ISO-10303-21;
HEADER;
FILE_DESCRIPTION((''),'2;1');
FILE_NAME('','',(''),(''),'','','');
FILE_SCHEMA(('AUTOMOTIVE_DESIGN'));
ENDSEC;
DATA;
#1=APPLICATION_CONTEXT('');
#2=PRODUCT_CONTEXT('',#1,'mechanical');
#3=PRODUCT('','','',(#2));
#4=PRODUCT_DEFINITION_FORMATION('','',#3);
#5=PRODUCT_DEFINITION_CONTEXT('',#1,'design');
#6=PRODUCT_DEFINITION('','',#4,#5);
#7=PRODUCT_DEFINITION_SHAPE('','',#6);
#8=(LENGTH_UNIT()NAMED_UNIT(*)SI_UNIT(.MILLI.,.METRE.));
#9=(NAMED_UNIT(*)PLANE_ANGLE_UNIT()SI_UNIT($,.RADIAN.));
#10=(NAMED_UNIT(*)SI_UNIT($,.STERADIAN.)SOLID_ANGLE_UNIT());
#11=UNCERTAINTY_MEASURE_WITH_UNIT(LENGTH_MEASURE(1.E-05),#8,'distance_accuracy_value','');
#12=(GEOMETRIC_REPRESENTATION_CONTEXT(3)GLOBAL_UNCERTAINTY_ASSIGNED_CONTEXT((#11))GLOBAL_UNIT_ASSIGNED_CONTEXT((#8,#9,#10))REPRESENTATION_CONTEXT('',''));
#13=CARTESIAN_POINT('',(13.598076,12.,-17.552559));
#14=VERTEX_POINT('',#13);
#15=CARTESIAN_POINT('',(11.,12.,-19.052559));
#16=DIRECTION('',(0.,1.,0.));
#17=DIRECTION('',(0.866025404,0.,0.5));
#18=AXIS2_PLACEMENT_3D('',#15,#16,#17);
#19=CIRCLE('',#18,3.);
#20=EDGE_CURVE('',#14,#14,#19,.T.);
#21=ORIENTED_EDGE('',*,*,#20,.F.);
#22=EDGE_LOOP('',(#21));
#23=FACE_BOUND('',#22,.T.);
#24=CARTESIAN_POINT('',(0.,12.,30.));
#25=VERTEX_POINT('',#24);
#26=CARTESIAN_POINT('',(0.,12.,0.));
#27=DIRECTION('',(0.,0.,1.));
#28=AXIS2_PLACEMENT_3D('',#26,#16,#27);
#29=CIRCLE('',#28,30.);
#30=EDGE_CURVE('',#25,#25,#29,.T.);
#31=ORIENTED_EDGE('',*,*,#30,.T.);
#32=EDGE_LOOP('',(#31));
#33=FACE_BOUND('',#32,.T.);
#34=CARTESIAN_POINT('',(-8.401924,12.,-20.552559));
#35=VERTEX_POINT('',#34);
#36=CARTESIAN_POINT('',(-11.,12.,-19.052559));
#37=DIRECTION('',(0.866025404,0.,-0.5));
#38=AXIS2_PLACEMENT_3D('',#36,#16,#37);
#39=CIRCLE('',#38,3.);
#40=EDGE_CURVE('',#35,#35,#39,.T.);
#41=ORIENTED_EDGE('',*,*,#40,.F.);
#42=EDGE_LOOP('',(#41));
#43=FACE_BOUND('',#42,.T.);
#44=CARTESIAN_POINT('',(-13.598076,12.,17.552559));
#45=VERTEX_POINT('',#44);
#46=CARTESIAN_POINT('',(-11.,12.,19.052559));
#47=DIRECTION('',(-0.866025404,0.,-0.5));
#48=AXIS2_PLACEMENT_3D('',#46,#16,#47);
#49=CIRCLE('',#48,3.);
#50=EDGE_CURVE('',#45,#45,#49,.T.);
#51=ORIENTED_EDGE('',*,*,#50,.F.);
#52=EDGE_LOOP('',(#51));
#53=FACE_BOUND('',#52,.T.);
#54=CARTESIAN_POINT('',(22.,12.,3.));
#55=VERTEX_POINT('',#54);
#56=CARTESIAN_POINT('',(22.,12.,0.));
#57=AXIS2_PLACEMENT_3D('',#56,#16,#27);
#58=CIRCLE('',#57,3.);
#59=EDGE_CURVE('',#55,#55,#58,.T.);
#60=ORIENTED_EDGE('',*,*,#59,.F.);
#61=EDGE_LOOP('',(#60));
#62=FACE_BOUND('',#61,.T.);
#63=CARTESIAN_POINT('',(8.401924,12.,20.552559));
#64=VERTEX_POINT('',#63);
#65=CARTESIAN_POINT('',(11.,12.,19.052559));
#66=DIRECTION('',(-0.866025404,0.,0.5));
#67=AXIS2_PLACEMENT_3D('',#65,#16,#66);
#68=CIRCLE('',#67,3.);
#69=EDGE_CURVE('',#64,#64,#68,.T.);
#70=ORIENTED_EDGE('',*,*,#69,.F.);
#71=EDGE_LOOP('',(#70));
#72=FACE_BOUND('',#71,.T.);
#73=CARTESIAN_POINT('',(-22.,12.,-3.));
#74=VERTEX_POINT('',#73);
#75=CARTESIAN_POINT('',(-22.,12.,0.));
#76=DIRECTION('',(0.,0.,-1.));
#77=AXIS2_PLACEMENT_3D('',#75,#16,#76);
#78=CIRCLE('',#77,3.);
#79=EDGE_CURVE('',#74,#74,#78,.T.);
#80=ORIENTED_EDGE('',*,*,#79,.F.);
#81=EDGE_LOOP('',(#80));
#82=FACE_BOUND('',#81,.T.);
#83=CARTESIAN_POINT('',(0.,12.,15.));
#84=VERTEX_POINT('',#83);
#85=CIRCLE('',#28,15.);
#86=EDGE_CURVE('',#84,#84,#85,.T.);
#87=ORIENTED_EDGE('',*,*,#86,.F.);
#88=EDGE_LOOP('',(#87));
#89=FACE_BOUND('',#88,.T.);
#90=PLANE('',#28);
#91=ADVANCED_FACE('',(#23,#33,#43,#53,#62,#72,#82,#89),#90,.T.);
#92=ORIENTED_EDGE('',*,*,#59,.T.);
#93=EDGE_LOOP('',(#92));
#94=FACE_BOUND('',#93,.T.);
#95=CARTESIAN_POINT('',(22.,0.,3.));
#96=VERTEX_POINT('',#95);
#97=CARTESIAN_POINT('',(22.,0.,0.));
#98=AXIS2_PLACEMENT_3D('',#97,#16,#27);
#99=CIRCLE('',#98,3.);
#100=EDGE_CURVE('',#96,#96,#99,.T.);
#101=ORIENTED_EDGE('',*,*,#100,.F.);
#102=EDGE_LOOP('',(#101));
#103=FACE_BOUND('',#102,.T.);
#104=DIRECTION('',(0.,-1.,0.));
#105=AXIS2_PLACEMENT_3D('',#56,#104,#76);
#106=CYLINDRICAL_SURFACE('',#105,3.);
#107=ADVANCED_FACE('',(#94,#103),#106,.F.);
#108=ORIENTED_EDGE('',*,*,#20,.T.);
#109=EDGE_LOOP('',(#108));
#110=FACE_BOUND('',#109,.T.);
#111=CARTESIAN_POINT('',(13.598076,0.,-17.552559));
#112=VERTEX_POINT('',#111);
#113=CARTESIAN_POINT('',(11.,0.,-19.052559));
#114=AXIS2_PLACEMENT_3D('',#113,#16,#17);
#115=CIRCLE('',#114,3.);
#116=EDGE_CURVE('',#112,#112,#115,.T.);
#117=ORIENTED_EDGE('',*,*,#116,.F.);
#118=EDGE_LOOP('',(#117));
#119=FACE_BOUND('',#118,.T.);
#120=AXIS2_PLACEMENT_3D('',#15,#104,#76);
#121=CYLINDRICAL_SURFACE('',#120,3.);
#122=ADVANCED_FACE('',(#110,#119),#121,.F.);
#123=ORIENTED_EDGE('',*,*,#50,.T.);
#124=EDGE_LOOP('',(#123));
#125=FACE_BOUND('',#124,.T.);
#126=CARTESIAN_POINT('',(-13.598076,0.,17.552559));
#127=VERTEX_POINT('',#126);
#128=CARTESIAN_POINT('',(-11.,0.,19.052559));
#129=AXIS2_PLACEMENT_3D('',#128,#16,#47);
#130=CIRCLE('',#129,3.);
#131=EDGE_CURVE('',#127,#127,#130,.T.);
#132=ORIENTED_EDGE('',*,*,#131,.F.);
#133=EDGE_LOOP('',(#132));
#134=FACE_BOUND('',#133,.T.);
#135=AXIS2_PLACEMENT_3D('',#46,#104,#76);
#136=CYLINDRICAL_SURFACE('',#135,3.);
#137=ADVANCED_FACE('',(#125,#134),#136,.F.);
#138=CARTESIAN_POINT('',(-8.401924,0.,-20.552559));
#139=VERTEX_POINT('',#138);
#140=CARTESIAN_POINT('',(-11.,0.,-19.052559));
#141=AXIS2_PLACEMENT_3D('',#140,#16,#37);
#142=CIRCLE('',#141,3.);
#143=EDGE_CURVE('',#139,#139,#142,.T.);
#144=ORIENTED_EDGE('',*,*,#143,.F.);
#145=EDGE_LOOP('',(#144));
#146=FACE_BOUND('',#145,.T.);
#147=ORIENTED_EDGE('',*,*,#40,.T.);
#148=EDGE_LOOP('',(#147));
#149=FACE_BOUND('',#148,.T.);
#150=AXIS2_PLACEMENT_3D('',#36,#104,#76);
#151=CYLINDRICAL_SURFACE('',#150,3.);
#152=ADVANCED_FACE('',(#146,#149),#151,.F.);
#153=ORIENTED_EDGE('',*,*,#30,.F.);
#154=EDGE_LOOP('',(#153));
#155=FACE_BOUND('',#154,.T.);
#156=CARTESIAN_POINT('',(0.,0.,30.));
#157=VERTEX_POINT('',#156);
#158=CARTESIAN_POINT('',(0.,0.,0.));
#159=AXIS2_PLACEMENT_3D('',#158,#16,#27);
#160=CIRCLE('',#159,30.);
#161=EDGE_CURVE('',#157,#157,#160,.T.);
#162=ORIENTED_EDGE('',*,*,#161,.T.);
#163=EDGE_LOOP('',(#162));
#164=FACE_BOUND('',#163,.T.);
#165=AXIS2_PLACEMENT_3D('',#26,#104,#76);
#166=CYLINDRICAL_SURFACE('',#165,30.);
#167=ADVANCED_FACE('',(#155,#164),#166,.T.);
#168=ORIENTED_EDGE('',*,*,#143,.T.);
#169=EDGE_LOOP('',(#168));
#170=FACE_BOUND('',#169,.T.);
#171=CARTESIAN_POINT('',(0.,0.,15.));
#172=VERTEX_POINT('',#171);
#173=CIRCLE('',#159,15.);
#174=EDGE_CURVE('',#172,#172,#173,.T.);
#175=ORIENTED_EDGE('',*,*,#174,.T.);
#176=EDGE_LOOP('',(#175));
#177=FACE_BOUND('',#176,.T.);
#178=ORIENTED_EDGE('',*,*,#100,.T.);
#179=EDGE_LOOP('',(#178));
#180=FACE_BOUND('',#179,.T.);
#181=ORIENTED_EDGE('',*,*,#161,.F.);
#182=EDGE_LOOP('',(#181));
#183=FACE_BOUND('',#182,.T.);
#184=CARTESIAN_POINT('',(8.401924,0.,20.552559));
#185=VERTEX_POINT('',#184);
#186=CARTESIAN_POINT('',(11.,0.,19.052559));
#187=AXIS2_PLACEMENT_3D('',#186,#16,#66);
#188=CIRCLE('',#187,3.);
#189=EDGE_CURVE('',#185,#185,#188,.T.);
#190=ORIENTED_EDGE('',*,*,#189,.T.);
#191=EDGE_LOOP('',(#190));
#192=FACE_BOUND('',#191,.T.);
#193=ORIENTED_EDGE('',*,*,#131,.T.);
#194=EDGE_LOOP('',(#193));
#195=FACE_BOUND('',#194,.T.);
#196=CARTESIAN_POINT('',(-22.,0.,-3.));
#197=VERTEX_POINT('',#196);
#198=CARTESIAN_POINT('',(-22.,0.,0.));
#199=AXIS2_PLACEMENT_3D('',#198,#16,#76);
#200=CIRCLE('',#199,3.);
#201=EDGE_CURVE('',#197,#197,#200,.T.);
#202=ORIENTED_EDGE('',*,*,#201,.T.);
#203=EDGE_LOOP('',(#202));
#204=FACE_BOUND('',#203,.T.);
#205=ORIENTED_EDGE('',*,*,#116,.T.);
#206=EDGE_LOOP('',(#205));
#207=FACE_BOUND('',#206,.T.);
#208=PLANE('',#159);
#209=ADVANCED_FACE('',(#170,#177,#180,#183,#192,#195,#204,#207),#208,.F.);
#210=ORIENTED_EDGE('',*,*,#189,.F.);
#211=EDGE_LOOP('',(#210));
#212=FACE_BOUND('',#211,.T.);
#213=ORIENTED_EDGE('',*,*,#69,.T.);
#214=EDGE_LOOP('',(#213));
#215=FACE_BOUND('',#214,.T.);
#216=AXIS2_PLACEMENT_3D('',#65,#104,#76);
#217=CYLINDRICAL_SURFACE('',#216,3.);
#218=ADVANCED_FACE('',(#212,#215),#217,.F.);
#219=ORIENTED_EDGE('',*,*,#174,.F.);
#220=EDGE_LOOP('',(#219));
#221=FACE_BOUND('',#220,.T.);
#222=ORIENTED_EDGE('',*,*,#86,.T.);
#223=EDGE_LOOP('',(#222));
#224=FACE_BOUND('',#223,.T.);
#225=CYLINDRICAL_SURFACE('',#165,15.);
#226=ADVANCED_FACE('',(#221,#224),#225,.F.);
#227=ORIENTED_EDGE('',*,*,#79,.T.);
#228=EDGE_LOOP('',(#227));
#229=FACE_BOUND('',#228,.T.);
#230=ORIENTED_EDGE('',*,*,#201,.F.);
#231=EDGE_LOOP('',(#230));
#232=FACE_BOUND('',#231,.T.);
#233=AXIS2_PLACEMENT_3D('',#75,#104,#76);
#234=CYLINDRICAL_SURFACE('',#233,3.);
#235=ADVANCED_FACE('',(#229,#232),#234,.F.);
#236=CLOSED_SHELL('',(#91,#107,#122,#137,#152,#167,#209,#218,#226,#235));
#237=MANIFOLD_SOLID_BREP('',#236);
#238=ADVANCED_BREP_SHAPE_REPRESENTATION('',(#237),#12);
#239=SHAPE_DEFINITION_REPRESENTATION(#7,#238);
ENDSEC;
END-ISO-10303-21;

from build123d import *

# Parameters (mm, degrees)
SKETCH_1_R               = 30
EXTRUDE_1_DEPTH          = 12
SKETCH_2_R               = 15
CUT_EXTRUDE_1_DEPTH      = 12
SKETCH_3_R               = 3
CUT_EXTRUDE_2_DEPTH      = 12
PATTERN_CIRCULAR_1_COUNT = 6


with BuildPart() as part:
    # 草图1 → 凸台-拉伸1 (new body)
    with BuildSketch(Plane(origin=(0, 0, 0), x_dir=(1, 0, 0), z_dir=(0, 1, 0))):
        with Locations(Location((0, 0, 0), (0, 0, 270))):
            Circle(SKETCH_1_R)
    extrude(amount=EXTRUDE_1_DEPTH)

    # 草图2 → 切除-拉伸1 (cut)
    with BuildSketch(Plane(origin=(0, 0, 0), x_dir=(1, 0, 0), z_dir=(0, 1, 0))):
        with Locations(Location((0, 0, 0), (0, 0, 270))):
            Circle(SKETCH_2_R)
    extrude(amount=CUT_EXTRUDE_1_DEPTH, mode=Mode.SUBTRACT)

    # 草图3 → 切除-拉伸2 (cut)
    with BuildSketch(Plane(origin=(0, 0, 0), x_dir=(1, 0, 0), z_dir=(0, 1, 0))):
        with Locations(Location((22, 0, 0), (0, 0, 270))):
            Circle(SKETCH_3_R)
    cut_extrude_2 = extrude(amount=CUT_EXTRUDE_2_DEPTH, mode=Mode.SUBTRACT)

    # 阵列(圆周)1: 切除-拉伸2 ×6 about axis
    pattern_circular_1_axis = Axis((0, 0, 0), (0, 1, 0))
    for i in range(1, PATTERN_CIRCULAR_1_COUNT):
        add(cut_extrude_2.rotate(pattern_circular_1_axis, i * 360 / PATTERN_CIRCULAR_1_COUNT), mode=Mode.SUBTRACT)


solid = part.part
